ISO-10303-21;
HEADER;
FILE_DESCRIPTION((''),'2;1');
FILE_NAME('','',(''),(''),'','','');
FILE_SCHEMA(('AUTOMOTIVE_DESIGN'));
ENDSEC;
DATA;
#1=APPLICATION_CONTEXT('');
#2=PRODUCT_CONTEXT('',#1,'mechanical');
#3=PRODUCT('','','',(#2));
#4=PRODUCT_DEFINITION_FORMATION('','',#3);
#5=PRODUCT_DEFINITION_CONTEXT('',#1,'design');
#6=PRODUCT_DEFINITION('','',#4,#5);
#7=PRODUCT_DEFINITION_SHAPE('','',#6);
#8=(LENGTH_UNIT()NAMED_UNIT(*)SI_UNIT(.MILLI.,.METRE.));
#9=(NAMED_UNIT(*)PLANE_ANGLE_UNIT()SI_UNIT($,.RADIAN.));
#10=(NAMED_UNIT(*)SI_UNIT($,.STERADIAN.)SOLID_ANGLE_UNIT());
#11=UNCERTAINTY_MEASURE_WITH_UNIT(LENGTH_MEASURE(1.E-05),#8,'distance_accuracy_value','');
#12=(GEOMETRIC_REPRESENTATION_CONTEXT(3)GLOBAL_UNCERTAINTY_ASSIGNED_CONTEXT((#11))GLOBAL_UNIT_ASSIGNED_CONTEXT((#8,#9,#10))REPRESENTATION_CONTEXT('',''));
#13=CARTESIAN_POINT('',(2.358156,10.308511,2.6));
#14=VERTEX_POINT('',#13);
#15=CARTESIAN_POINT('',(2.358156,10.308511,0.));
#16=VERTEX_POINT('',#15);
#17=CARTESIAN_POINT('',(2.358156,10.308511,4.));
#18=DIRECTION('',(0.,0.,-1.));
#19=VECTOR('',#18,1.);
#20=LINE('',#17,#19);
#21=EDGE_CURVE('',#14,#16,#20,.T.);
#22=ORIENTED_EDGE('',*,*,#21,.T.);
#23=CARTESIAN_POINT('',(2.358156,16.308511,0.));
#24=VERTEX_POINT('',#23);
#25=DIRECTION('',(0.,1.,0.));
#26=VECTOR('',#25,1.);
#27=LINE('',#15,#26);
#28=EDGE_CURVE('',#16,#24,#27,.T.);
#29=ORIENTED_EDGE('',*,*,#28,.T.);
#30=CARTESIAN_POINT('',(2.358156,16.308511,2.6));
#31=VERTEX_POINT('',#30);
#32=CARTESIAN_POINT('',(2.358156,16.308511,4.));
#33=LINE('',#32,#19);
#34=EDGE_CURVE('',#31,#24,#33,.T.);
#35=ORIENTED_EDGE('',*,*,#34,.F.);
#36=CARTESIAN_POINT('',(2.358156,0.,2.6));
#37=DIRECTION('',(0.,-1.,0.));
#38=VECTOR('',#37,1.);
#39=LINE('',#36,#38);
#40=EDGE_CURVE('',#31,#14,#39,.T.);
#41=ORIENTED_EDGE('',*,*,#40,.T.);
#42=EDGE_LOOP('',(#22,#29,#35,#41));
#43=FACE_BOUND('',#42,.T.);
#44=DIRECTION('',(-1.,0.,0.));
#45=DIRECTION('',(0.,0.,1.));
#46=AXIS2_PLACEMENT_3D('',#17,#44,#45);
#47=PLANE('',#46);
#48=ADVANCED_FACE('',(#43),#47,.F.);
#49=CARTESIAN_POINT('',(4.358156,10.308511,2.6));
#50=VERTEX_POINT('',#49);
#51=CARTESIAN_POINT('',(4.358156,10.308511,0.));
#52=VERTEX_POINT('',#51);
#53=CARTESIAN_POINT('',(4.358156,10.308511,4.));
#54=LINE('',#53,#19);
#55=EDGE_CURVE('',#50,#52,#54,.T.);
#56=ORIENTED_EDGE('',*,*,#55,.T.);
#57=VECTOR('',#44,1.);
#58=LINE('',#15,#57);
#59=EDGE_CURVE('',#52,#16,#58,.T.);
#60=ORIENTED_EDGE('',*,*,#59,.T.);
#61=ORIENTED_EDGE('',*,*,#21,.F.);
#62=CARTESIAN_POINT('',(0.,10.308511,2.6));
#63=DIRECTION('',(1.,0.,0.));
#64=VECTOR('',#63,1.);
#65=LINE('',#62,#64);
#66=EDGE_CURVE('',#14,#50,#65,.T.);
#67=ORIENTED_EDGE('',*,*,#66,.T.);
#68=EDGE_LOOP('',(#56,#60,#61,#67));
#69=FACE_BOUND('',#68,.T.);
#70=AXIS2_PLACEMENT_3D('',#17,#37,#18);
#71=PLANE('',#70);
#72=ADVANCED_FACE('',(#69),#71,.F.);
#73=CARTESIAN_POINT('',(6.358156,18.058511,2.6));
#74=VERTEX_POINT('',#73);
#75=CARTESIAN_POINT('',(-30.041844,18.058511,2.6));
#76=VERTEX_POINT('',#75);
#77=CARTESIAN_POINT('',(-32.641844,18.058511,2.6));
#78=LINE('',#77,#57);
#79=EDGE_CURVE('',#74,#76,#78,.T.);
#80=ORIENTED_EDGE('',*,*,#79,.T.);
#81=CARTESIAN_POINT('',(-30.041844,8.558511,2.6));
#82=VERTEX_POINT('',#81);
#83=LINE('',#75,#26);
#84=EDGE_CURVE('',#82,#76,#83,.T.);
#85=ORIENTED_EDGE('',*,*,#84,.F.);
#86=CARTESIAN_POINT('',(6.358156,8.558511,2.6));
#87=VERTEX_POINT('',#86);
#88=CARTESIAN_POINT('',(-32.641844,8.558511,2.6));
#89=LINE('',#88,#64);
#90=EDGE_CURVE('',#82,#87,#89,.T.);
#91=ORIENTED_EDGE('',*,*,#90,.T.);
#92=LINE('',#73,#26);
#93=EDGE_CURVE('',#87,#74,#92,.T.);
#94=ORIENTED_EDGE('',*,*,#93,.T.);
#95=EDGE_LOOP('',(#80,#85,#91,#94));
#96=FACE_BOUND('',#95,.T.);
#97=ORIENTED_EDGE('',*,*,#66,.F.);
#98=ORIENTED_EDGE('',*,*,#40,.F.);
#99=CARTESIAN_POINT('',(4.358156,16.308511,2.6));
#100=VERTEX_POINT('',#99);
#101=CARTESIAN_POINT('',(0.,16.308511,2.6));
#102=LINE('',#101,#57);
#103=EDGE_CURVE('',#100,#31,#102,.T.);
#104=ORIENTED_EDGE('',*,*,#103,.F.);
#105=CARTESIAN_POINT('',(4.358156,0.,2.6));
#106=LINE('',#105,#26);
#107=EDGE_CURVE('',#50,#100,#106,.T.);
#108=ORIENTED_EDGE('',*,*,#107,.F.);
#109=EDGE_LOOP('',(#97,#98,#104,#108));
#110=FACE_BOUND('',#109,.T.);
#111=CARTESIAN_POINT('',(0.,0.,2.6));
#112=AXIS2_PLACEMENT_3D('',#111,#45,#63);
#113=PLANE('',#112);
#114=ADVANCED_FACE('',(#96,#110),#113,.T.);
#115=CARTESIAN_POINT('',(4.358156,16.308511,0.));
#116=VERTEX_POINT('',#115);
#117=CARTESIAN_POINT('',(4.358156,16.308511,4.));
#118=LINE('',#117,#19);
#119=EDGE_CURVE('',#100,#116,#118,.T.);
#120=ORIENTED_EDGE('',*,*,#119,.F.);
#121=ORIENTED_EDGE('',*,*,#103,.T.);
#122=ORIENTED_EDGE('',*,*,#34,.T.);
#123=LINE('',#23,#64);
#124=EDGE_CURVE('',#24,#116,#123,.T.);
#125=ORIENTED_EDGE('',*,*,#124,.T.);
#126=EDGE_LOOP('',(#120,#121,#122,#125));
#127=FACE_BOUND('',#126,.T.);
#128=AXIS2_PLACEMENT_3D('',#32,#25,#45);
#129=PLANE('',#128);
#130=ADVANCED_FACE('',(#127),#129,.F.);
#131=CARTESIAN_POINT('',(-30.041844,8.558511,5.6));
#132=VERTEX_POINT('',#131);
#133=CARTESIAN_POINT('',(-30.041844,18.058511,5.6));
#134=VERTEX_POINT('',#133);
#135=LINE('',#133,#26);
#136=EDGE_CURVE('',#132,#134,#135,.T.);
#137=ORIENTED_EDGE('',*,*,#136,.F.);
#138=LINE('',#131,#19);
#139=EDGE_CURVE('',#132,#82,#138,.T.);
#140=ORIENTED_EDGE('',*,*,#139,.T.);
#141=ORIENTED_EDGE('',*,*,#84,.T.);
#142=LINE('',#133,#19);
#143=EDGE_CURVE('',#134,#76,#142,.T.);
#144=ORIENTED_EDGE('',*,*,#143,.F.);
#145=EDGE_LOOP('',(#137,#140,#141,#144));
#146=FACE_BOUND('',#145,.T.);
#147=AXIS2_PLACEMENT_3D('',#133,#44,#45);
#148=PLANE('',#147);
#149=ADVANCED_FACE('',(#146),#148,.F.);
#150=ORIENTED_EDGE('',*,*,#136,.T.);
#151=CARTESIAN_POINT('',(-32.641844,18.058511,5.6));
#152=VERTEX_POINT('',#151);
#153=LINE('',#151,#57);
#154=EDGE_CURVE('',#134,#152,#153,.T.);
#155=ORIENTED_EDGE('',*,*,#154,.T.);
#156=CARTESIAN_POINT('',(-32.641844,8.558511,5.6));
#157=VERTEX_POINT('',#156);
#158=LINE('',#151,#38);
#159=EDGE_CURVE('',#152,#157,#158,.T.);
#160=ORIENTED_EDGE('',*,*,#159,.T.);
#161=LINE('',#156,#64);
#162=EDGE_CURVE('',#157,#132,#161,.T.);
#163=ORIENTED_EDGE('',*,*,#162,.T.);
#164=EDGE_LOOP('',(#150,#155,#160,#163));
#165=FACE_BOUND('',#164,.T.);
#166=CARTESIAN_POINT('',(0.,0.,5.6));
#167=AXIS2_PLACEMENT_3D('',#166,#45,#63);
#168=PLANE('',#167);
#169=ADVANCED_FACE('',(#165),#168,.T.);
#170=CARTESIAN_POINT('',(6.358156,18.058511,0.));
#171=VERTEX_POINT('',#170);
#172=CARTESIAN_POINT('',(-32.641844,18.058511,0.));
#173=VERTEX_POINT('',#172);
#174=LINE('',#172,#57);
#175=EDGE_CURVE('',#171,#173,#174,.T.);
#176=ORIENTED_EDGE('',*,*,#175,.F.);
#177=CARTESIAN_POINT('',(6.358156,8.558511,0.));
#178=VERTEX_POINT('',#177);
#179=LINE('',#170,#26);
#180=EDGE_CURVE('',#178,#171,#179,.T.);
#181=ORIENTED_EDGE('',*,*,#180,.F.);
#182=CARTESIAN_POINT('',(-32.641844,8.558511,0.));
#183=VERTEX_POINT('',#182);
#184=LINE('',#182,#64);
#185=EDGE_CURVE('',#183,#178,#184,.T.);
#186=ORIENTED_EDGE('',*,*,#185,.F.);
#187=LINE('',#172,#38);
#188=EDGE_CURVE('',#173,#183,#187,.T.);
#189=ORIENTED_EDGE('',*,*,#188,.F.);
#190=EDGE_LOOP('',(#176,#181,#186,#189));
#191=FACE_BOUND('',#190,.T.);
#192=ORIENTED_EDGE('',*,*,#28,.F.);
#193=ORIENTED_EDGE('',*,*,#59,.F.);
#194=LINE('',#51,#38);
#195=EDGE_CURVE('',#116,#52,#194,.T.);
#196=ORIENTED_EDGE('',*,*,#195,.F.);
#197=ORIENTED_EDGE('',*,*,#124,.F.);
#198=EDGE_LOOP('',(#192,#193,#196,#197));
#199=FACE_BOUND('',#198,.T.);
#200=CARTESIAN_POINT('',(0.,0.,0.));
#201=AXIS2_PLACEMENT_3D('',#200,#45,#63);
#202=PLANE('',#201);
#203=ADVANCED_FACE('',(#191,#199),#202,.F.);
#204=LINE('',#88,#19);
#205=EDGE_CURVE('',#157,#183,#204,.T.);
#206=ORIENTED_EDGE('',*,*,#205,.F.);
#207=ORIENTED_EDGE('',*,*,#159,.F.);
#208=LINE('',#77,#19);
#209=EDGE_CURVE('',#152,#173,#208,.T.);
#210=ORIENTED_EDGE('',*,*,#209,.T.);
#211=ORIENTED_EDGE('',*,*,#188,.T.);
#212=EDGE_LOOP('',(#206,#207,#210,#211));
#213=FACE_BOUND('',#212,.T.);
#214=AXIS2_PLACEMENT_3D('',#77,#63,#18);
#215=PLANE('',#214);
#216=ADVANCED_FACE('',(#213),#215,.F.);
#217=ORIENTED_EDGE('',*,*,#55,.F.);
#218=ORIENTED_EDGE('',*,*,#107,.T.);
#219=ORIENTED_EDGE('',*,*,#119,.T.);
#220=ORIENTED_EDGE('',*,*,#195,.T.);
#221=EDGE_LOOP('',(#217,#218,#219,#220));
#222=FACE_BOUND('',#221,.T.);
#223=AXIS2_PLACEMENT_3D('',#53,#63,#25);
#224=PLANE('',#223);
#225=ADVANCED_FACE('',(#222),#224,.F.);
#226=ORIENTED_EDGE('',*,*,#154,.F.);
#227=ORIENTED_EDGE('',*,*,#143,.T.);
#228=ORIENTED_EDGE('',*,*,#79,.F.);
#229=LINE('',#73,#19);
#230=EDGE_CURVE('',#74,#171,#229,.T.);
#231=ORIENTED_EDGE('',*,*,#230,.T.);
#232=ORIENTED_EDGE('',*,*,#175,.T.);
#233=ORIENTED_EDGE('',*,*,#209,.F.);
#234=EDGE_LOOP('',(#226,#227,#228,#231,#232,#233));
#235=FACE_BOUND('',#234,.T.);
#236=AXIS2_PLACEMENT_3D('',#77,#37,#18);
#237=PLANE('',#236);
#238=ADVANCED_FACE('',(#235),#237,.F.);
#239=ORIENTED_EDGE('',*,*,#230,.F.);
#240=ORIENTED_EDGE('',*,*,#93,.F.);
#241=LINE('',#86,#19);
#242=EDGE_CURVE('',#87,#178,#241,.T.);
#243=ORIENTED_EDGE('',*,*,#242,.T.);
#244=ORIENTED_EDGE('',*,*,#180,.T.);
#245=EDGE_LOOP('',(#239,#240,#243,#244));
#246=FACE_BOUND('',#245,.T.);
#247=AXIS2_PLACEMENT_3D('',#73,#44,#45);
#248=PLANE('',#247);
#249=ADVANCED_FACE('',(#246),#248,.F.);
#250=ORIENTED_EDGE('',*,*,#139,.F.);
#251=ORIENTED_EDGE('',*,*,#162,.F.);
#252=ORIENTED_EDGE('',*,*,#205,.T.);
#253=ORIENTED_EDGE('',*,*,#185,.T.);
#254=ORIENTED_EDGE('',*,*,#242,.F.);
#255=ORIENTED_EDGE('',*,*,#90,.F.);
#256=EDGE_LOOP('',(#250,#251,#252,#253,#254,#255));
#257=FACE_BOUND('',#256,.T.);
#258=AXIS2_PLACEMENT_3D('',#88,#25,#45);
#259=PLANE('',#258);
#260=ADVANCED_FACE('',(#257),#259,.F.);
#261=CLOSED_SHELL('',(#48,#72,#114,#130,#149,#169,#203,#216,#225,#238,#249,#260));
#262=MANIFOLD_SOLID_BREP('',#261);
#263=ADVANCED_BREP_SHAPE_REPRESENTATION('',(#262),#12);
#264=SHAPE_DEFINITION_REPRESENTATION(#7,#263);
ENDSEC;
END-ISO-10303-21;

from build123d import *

# Parameters (mm, degrees)
SKETCH1_W           = 39
SKETCH1_H           = 9.5
BOSS_EXTRUDE1_DEPTH = 2.6
SKETCH3_W           = 2.6
SKETCH3_H           = 9.5
BOSS_EXTRUDE2_DEPTH = 3
SKETCH4_W           = 2
SKETCH4_H           = 6
CUT_EXTRUDE1_DEPTH  = 4


with BuildPart() as part:
    # Sketch1 → Boss-Extrude1 (new body)
    with BuildSketch(Plane.XY):
        with Locations((-13.141843972, 13.308510638)):
            Rectangle(SKETCH1_W, SKETCH1_H)
    extrude(amount=BOSS_EXTRUDE1_DEPTH)

    # Sketch3 → Boss-Extrude2 (add)
    with BuildSketch(Plane.XY.offset(2.6)):
        with Locations((-31.341843972, 13.308510638)):
            Rectangle(SKETCH3_W, SKETCH3_H)
    extrude(amount=BOSS_EXTRUDE2_DEPTH)

    # Sketch4 → Cut-Extrude1 (cut)
    with BuildSketch(Plane(origin=(0, 0, 0), x_dir=(-1, 0, 0), z_dir=(0, 0, -1))):
        with Locations((-3.358156028, 13.308510638)):
            Rectangle(SKETCH4_W, SKETCH4_H)
    extrude(amount=-CUT_EXTRUDE1_DEPTH, mode=Mode.SUBTRACT)


solid = part.part
